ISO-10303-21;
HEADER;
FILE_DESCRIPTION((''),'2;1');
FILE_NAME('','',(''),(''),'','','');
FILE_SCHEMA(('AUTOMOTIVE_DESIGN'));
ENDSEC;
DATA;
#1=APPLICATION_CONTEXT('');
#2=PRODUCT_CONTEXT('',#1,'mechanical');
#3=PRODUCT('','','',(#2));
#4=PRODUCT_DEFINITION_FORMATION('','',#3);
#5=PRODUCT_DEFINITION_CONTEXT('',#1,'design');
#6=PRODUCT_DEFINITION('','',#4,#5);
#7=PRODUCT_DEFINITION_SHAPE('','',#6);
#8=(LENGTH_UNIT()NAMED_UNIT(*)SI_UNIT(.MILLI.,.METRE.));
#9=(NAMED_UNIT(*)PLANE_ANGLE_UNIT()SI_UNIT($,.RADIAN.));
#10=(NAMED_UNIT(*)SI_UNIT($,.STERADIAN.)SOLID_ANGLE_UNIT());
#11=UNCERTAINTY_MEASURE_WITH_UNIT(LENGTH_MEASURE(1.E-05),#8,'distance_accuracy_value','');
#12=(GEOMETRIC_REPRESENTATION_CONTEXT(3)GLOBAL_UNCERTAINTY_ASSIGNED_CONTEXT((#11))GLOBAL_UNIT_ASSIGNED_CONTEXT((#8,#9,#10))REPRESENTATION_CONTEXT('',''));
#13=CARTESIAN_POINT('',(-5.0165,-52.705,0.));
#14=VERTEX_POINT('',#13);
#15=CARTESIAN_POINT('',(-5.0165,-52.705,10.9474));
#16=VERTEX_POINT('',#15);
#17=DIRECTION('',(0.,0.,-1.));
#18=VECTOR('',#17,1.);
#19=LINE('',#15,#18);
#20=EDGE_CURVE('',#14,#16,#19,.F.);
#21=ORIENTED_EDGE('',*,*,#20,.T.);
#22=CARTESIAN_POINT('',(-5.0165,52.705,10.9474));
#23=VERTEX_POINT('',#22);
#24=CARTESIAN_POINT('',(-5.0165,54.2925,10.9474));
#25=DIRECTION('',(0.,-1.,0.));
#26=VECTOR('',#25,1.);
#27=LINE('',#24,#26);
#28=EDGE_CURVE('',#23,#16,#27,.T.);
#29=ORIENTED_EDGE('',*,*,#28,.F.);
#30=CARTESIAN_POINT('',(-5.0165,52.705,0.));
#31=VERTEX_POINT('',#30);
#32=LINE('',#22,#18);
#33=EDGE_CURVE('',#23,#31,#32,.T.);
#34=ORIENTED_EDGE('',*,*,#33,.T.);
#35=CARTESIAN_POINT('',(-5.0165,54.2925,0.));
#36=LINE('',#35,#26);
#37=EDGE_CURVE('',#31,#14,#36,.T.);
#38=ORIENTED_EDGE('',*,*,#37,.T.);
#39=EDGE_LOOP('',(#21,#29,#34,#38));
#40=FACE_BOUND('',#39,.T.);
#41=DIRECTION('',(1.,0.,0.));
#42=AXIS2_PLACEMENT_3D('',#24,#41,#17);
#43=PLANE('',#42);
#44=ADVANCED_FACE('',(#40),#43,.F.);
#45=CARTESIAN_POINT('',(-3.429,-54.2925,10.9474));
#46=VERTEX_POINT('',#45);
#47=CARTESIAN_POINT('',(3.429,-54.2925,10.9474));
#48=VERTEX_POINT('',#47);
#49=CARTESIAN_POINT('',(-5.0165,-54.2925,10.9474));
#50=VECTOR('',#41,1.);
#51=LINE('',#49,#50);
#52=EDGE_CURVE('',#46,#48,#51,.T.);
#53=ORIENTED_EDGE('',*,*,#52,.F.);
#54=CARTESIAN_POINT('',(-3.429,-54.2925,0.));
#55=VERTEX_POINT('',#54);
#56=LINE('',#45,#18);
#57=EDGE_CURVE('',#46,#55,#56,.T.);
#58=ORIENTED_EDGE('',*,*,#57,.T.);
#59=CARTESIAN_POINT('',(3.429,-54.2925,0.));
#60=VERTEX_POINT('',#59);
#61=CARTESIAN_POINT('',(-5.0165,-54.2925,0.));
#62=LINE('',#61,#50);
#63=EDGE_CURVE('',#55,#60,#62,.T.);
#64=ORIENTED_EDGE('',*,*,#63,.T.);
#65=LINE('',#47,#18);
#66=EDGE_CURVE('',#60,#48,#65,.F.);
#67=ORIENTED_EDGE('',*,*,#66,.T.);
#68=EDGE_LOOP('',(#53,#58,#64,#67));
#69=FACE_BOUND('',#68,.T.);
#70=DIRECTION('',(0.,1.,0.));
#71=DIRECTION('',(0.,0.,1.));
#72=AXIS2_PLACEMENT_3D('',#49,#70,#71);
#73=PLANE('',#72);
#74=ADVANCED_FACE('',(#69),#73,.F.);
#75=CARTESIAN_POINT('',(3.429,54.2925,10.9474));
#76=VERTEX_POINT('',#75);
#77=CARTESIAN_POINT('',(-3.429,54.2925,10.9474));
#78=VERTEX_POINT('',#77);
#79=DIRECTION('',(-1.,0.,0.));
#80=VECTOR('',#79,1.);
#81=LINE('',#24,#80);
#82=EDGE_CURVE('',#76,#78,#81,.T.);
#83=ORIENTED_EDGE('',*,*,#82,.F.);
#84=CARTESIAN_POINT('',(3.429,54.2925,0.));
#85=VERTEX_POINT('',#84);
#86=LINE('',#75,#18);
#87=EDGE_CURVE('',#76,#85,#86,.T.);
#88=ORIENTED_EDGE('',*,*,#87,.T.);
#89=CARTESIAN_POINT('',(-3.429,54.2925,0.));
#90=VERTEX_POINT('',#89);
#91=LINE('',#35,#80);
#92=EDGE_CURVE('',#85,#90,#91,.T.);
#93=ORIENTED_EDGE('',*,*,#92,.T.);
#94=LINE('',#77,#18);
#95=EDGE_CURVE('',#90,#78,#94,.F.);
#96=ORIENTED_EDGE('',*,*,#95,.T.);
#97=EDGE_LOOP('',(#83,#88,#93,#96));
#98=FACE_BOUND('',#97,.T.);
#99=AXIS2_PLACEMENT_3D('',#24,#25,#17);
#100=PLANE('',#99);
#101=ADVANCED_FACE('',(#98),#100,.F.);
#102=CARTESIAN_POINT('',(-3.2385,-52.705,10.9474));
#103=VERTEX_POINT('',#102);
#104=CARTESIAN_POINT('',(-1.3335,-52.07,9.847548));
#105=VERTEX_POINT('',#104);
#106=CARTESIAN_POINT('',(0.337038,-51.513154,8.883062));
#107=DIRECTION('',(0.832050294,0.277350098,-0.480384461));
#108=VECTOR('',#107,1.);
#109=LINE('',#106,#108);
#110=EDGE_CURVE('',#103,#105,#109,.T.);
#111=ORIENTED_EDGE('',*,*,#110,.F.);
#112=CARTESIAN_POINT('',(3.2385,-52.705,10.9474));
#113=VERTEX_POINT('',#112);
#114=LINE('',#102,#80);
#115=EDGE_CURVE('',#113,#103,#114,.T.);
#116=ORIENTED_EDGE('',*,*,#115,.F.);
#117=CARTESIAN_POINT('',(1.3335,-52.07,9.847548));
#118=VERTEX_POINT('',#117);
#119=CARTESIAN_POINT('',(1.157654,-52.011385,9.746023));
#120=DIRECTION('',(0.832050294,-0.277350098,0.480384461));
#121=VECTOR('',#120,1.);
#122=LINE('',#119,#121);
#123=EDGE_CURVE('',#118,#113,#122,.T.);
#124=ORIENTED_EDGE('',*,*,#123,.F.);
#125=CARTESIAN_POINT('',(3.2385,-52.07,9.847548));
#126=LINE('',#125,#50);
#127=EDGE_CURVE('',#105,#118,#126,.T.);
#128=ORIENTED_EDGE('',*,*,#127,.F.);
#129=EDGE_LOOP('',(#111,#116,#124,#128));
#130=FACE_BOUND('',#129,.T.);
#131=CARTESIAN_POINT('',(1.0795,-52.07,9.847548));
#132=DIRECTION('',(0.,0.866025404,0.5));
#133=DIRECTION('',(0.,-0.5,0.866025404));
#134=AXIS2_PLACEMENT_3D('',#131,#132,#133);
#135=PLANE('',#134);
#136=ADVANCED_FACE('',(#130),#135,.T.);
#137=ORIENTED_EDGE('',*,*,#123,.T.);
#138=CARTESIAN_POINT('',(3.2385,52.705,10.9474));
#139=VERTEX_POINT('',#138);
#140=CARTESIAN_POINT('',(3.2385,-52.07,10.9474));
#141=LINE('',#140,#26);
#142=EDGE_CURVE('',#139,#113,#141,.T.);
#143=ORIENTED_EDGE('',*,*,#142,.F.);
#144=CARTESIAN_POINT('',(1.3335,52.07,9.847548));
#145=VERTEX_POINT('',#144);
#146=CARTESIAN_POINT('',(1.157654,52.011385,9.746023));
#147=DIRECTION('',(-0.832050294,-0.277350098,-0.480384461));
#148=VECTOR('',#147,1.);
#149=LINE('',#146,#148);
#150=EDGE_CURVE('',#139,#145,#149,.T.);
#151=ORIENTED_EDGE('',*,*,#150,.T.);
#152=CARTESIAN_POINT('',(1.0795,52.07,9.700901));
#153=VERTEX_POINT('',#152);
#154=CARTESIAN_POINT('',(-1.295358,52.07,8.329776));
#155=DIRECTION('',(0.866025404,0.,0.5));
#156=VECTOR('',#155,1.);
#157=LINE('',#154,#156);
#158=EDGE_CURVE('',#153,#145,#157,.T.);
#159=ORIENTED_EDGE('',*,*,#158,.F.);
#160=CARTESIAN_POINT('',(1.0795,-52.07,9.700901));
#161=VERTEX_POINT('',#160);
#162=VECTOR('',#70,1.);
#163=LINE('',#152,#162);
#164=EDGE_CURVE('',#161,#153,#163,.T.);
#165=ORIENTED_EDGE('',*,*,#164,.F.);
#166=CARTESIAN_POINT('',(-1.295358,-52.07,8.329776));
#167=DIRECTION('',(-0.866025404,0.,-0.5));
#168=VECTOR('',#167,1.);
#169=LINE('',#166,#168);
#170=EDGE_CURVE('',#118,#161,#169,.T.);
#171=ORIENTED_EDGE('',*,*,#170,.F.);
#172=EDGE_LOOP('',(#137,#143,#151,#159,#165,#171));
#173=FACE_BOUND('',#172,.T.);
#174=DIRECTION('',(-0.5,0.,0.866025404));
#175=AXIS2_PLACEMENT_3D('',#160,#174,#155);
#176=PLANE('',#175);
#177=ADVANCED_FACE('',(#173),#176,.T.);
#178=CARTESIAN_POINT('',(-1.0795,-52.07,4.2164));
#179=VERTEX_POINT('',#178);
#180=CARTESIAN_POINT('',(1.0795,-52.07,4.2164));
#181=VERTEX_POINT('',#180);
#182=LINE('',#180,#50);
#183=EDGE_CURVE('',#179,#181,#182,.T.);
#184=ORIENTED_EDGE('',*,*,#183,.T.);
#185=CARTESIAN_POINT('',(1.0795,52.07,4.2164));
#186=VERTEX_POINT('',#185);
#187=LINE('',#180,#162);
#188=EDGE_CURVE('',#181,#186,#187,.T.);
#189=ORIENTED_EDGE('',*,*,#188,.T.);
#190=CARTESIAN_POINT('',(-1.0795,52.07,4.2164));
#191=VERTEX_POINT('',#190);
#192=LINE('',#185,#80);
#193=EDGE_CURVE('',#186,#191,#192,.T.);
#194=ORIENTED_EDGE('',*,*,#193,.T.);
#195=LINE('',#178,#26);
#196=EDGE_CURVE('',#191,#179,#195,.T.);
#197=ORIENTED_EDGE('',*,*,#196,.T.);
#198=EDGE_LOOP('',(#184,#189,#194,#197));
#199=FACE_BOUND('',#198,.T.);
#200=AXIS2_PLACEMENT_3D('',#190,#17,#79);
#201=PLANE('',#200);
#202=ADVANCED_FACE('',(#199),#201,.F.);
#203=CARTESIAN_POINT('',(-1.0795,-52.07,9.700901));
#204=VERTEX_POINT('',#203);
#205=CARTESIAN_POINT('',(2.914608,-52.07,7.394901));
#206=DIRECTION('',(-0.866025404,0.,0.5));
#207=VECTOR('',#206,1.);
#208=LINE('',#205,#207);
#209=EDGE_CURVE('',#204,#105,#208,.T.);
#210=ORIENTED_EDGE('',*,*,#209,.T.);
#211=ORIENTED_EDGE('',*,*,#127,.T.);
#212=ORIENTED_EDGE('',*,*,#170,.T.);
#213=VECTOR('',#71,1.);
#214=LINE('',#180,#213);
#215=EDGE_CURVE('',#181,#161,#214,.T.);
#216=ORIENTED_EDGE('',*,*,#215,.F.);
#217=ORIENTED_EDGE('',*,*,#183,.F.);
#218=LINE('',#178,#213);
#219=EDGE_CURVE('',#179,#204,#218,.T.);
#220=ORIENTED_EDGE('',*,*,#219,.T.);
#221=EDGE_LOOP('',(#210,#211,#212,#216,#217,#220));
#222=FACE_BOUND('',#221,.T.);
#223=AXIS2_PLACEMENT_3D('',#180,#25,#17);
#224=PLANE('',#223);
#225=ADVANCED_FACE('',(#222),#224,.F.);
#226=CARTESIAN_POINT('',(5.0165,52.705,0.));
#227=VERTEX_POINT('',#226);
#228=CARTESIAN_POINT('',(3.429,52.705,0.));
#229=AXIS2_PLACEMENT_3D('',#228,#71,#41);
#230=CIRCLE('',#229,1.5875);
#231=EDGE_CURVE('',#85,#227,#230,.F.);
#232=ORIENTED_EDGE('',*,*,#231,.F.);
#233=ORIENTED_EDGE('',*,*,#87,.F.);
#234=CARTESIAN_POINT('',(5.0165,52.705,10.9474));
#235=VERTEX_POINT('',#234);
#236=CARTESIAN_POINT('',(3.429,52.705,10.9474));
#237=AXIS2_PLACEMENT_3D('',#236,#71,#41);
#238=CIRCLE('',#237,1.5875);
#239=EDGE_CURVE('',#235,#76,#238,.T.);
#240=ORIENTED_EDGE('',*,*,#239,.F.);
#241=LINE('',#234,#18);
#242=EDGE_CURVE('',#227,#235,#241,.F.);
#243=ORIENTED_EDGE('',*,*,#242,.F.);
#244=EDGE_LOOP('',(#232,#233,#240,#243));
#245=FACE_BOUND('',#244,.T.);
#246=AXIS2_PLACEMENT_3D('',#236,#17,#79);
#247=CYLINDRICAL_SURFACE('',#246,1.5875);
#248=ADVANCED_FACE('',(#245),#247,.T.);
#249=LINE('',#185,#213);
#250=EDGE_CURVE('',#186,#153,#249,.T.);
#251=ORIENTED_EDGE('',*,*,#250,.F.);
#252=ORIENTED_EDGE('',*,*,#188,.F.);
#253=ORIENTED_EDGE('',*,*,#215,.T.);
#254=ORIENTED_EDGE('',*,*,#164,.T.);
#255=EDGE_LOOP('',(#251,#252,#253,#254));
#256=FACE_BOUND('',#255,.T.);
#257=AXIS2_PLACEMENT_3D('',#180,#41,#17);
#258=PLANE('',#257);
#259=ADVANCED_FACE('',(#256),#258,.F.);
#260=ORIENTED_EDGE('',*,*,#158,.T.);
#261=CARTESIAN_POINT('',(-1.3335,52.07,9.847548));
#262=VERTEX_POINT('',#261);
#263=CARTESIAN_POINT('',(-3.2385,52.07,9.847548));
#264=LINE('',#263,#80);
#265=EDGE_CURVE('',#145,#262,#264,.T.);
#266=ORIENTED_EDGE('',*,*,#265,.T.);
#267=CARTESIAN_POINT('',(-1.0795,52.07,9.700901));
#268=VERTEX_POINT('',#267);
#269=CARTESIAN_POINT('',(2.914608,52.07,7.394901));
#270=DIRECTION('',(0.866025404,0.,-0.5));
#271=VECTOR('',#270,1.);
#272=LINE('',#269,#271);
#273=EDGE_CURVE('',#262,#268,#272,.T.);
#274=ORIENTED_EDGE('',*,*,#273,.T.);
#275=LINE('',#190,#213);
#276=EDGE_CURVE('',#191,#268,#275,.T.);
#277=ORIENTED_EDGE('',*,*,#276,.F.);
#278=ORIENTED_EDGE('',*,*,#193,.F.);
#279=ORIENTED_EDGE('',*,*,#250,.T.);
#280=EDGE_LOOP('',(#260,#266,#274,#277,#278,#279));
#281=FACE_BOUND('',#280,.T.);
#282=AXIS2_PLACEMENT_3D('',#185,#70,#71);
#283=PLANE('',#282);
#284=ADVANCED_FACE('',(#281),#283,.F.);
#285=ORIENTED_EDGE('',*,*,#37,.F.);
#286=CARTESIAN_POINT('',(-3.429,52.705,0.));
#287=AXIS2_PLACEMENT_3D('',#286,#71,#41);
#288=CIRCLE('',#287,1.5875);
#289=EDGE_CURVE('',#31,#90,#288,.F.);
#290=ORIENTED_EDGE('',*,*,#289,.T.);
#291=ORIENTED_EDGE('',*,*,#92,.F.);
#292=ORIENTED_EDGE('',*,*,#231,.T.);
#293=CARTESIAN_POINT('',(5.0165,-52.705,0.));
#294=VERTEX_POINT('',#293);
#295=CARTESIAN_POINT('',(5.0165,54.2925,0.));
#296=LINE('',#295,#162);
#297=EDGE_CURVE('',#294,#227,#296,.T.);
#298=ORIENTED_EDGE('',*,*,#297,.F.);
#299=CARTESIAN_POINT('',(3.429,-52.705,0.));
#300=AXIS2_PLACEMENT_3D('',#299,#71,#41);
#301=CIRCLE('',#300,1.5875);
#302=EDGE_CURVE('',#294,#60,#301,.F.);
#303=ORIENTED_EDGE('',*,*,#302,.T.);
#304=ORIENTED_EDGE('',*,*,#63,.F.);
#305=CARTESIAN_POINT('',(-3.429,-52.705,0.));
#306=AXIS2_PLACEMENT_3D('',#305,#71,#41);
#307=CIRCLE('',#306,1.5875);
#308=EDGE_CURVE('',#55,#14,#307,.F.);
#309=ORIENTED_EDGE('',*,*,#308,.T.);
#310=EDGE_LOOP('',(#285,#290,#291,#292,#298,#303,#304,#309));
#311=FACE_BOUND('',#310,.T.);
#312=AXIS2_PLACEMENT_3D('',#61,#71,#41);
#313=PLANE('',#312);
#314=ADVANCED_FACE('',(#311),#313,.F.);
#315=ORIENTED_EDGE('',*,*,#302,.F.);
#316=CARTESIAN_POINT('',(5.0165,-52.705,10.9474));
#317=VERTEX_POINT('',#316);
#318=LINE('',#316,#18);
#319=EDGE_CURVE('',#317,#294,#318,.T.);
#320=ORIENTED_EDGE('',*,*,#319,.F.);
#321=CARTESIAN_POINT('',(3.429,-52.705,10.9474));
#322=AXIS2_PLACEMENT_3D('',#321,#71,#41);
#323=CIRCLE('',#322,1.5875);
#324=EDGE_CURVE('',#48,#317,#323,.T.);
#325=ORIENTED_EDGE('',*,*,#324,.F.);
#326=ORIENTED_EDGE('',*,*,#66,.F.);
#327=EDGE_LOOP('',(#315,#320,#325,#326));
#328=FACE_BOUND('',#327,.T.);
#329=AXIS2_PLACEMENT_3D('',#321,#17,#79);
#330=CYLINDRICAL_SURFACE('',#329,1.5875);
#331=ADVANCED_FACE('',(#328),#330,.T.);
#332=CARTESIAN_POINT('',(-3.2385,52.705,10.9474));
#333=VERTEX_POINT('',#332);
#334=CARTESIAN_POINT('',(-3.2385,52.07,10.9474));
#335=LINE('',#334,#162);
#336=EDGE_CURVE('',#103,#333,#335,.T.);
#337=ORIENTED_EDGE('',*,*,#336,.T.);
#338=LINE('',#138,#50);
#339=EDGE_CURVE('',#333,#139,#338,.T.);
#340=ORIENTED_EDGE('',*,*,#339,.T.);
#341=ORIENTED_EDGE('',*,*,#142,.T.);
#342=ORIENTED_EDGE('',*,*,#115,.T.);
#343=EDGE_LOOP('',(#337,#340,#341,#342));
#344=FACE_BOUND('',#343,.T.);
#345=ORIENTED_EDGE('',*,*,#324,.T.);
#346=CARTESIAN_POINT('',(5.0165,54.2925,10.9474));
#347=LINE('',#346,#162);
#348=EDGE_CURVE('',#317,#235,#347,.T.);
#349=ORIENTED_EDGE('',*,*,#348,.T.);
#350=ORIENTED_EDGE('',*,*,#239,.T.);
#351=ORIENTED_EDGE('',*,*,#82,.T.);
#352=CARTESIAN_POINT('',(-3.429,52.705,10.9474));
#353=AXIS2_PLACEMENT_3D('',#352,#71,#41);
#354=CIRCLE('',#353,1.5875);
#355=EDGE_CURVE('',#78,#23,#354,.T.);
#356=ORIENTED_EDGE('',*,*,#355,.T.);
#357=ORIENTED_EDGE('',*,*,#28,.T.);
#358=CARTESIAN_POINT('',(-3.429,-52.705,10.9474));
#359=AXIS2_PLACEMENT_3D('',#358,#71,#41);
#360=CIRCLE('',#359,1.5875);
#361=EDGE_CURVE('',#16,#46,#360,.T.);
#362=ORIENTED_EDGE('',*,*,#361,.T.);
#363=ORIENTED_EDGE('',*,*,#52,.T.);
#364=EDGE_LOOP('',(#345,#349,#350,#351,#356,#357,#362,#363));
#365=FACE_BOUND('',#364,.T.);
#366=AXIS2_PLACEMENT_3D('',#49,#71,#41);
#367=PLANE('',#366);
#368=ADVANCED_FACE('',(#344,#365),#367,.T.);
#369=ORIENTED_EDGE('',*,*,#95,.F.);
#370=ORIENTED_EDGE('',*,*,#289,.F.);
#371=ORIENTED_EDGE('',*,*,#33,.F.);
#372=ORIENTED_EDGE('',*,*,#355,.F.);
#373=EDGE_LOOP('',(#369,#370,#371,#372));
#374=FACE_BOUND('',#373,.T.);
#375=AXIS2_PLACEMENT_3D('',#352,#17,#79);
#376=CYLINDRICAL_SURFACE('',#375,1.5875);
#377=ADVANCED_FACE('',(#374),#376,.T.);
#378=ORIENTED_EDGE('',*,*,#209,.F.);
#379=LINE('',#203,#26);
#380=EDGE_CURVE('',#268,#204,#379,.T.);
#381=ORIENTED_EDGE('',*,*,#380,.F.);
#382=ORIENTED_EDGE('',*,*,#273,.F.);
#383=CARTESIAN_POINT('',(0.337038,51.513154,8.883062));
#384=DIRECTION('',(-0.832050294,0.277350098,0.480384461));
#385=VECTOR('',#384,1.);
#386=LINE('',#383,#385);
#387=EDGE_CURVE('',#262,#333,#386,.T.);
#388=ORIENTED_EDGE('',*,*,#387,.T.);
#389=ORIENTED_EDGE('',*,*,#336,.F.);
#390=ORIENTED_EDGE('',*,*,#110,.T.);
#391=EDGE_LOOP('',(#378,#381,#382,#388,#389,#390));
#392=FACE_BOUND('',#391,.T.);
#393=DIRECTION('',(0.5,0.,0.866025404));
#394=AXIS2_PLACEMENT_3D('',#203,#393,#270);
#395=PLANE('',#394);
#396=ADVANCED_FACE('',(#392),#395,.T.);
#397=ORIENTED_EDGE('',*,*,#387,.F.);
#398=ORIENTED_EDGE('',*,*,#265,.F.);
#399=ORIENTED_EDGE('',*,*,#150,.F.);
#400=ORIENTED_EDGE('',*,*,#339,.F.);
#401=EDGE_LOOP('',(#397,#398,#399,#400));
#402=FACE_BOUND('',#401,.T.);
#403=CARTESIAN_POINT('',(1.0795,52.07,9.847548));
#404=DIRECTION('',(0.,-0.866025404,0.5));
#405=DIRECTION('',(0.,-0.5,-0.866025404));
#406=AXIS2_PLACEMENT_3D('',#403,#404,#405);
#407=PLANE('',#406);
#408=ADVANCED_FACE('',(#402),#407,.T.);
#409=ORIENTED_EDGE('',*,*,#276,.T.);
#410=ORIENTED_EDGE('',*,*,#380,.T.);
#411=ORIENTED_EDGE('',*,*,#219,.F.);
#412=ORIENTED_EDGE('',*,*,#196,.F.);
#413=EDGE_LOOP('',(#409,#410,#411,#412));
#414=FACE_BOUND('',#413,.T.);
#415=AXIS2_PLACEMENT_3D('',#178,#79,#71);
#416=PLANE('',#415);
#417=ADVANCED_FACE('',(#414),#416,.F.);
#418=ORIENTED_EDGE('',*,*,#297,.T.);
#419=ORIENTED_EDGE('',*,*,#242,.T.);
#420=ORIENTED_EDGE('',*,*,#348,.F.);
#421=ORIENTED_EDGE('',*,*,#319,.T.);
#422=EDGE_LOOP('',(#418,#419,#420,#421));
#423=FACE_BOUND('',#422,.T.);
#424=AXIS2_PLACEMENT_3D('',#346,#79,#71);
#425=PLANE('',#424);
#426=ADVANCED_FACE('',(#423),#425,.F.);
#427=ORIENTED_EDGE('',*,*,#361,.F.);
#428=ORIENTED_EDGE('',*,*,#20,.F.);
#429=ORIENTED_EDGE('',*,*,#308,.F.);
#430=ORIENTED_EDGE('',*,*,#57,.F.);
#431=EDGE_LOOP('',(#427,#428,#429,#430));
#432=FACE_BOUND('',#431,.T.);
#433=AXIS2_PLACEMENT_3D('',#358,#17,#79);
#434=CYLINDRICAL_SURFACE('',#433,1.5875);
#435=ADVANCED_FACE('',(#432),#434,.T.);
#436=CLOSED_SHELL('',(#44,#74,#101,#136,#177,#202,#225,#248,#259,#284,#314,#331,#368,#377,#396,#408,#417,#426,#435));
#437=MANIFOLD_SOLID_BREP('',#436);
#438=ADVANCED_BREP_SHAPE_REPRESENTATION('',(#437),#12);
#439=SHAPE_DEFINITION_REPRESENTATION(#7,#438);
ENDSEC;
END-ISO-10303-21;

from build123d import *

# Parameters (mm, degrees)
SKETCH2_W          = 10.033
SKETCH2_H          = 108.585
EXTRUDE2_DEPTH     = 10.9474
FILLET1_R          = 1.5875
SKETCH7_W          = 2.159
SKETCH7_H          = 104.14
CUT_EXTRUDE2_DEPTH = 6.731
CHAMFER1_SIZE      = 2.159
CHAMFER1_SIZE2     = 1.246499231
CHAMFER2_SIZE      = 0.635
CHAMFER2_SIZE2     = 1.099852263


with BuildPart() as part:
    # Sketch2 → Extrude2 (new body)
    with BuildSketch(Plane.XY):
        Rectangle(SKETCH2_W, SKETCH2_H)
    extrude(amount=EXTRUDE2_DEPTH)

    # Fillet1
    fillet1_edges = [part.edges().sort_by_distance(p)[0] for p in [
        (-5.0165, 54.2925, 5.4737),
        (5.0165, 54.2925, 5.4737),
        (5.0165, -54.2925, 5.4737),
        (-5.0165, -54.2925, 5.4737),
    ]]
    fillet(fillet1_edges, radius=FILLET1_R)

    # Sketch7 → Cut-Extrude2 (cut)
    with BuildSketch(Plane.XY.offset(10.9474)):
        Rectangle(SKETCH7_W, SKETCH7_H)
    extrude(amount=-CUT_EXTRUDE2_DEPTH, mode=Mode.SUBTRACT)

    # Chamfer1
    chamfer1_edges = [part.edges().sort_by_distance(p)[0] for p in [
        (-1.0795, 0, 10.9474),
        (1.0795, 0, 10.9474),
    ]]
    chamfer1_side = [part.faces().sort_by_distance(p)[0] for p in [
        (0, 53.202024722, 10.9474),
    ]]
    chamfer(chamfer1_edges, length=CHAMFER1_SIZE, length2=CHAMFER1_SIZE2, reference=chamfer1_side[0])

    # Chamfer2
    chamfer2_edges = [part.edges().sort_by_distance(p)[0] for p in [
        (0, 52.07, 10.9474),
        (0, -52.07, 10.9474),
    ]]
    chamfer2_side = [part.faces().sort_by_distance(p)[0] for p in [
        (0, 53.160475278, 10.9474),
    ]]
    chamfer(chamfer2_edges, length=CHAMFER2_SIZE, length2=CHAMFER2_SIZE2, reference=chamfer2_side[0])


solid = part.part
